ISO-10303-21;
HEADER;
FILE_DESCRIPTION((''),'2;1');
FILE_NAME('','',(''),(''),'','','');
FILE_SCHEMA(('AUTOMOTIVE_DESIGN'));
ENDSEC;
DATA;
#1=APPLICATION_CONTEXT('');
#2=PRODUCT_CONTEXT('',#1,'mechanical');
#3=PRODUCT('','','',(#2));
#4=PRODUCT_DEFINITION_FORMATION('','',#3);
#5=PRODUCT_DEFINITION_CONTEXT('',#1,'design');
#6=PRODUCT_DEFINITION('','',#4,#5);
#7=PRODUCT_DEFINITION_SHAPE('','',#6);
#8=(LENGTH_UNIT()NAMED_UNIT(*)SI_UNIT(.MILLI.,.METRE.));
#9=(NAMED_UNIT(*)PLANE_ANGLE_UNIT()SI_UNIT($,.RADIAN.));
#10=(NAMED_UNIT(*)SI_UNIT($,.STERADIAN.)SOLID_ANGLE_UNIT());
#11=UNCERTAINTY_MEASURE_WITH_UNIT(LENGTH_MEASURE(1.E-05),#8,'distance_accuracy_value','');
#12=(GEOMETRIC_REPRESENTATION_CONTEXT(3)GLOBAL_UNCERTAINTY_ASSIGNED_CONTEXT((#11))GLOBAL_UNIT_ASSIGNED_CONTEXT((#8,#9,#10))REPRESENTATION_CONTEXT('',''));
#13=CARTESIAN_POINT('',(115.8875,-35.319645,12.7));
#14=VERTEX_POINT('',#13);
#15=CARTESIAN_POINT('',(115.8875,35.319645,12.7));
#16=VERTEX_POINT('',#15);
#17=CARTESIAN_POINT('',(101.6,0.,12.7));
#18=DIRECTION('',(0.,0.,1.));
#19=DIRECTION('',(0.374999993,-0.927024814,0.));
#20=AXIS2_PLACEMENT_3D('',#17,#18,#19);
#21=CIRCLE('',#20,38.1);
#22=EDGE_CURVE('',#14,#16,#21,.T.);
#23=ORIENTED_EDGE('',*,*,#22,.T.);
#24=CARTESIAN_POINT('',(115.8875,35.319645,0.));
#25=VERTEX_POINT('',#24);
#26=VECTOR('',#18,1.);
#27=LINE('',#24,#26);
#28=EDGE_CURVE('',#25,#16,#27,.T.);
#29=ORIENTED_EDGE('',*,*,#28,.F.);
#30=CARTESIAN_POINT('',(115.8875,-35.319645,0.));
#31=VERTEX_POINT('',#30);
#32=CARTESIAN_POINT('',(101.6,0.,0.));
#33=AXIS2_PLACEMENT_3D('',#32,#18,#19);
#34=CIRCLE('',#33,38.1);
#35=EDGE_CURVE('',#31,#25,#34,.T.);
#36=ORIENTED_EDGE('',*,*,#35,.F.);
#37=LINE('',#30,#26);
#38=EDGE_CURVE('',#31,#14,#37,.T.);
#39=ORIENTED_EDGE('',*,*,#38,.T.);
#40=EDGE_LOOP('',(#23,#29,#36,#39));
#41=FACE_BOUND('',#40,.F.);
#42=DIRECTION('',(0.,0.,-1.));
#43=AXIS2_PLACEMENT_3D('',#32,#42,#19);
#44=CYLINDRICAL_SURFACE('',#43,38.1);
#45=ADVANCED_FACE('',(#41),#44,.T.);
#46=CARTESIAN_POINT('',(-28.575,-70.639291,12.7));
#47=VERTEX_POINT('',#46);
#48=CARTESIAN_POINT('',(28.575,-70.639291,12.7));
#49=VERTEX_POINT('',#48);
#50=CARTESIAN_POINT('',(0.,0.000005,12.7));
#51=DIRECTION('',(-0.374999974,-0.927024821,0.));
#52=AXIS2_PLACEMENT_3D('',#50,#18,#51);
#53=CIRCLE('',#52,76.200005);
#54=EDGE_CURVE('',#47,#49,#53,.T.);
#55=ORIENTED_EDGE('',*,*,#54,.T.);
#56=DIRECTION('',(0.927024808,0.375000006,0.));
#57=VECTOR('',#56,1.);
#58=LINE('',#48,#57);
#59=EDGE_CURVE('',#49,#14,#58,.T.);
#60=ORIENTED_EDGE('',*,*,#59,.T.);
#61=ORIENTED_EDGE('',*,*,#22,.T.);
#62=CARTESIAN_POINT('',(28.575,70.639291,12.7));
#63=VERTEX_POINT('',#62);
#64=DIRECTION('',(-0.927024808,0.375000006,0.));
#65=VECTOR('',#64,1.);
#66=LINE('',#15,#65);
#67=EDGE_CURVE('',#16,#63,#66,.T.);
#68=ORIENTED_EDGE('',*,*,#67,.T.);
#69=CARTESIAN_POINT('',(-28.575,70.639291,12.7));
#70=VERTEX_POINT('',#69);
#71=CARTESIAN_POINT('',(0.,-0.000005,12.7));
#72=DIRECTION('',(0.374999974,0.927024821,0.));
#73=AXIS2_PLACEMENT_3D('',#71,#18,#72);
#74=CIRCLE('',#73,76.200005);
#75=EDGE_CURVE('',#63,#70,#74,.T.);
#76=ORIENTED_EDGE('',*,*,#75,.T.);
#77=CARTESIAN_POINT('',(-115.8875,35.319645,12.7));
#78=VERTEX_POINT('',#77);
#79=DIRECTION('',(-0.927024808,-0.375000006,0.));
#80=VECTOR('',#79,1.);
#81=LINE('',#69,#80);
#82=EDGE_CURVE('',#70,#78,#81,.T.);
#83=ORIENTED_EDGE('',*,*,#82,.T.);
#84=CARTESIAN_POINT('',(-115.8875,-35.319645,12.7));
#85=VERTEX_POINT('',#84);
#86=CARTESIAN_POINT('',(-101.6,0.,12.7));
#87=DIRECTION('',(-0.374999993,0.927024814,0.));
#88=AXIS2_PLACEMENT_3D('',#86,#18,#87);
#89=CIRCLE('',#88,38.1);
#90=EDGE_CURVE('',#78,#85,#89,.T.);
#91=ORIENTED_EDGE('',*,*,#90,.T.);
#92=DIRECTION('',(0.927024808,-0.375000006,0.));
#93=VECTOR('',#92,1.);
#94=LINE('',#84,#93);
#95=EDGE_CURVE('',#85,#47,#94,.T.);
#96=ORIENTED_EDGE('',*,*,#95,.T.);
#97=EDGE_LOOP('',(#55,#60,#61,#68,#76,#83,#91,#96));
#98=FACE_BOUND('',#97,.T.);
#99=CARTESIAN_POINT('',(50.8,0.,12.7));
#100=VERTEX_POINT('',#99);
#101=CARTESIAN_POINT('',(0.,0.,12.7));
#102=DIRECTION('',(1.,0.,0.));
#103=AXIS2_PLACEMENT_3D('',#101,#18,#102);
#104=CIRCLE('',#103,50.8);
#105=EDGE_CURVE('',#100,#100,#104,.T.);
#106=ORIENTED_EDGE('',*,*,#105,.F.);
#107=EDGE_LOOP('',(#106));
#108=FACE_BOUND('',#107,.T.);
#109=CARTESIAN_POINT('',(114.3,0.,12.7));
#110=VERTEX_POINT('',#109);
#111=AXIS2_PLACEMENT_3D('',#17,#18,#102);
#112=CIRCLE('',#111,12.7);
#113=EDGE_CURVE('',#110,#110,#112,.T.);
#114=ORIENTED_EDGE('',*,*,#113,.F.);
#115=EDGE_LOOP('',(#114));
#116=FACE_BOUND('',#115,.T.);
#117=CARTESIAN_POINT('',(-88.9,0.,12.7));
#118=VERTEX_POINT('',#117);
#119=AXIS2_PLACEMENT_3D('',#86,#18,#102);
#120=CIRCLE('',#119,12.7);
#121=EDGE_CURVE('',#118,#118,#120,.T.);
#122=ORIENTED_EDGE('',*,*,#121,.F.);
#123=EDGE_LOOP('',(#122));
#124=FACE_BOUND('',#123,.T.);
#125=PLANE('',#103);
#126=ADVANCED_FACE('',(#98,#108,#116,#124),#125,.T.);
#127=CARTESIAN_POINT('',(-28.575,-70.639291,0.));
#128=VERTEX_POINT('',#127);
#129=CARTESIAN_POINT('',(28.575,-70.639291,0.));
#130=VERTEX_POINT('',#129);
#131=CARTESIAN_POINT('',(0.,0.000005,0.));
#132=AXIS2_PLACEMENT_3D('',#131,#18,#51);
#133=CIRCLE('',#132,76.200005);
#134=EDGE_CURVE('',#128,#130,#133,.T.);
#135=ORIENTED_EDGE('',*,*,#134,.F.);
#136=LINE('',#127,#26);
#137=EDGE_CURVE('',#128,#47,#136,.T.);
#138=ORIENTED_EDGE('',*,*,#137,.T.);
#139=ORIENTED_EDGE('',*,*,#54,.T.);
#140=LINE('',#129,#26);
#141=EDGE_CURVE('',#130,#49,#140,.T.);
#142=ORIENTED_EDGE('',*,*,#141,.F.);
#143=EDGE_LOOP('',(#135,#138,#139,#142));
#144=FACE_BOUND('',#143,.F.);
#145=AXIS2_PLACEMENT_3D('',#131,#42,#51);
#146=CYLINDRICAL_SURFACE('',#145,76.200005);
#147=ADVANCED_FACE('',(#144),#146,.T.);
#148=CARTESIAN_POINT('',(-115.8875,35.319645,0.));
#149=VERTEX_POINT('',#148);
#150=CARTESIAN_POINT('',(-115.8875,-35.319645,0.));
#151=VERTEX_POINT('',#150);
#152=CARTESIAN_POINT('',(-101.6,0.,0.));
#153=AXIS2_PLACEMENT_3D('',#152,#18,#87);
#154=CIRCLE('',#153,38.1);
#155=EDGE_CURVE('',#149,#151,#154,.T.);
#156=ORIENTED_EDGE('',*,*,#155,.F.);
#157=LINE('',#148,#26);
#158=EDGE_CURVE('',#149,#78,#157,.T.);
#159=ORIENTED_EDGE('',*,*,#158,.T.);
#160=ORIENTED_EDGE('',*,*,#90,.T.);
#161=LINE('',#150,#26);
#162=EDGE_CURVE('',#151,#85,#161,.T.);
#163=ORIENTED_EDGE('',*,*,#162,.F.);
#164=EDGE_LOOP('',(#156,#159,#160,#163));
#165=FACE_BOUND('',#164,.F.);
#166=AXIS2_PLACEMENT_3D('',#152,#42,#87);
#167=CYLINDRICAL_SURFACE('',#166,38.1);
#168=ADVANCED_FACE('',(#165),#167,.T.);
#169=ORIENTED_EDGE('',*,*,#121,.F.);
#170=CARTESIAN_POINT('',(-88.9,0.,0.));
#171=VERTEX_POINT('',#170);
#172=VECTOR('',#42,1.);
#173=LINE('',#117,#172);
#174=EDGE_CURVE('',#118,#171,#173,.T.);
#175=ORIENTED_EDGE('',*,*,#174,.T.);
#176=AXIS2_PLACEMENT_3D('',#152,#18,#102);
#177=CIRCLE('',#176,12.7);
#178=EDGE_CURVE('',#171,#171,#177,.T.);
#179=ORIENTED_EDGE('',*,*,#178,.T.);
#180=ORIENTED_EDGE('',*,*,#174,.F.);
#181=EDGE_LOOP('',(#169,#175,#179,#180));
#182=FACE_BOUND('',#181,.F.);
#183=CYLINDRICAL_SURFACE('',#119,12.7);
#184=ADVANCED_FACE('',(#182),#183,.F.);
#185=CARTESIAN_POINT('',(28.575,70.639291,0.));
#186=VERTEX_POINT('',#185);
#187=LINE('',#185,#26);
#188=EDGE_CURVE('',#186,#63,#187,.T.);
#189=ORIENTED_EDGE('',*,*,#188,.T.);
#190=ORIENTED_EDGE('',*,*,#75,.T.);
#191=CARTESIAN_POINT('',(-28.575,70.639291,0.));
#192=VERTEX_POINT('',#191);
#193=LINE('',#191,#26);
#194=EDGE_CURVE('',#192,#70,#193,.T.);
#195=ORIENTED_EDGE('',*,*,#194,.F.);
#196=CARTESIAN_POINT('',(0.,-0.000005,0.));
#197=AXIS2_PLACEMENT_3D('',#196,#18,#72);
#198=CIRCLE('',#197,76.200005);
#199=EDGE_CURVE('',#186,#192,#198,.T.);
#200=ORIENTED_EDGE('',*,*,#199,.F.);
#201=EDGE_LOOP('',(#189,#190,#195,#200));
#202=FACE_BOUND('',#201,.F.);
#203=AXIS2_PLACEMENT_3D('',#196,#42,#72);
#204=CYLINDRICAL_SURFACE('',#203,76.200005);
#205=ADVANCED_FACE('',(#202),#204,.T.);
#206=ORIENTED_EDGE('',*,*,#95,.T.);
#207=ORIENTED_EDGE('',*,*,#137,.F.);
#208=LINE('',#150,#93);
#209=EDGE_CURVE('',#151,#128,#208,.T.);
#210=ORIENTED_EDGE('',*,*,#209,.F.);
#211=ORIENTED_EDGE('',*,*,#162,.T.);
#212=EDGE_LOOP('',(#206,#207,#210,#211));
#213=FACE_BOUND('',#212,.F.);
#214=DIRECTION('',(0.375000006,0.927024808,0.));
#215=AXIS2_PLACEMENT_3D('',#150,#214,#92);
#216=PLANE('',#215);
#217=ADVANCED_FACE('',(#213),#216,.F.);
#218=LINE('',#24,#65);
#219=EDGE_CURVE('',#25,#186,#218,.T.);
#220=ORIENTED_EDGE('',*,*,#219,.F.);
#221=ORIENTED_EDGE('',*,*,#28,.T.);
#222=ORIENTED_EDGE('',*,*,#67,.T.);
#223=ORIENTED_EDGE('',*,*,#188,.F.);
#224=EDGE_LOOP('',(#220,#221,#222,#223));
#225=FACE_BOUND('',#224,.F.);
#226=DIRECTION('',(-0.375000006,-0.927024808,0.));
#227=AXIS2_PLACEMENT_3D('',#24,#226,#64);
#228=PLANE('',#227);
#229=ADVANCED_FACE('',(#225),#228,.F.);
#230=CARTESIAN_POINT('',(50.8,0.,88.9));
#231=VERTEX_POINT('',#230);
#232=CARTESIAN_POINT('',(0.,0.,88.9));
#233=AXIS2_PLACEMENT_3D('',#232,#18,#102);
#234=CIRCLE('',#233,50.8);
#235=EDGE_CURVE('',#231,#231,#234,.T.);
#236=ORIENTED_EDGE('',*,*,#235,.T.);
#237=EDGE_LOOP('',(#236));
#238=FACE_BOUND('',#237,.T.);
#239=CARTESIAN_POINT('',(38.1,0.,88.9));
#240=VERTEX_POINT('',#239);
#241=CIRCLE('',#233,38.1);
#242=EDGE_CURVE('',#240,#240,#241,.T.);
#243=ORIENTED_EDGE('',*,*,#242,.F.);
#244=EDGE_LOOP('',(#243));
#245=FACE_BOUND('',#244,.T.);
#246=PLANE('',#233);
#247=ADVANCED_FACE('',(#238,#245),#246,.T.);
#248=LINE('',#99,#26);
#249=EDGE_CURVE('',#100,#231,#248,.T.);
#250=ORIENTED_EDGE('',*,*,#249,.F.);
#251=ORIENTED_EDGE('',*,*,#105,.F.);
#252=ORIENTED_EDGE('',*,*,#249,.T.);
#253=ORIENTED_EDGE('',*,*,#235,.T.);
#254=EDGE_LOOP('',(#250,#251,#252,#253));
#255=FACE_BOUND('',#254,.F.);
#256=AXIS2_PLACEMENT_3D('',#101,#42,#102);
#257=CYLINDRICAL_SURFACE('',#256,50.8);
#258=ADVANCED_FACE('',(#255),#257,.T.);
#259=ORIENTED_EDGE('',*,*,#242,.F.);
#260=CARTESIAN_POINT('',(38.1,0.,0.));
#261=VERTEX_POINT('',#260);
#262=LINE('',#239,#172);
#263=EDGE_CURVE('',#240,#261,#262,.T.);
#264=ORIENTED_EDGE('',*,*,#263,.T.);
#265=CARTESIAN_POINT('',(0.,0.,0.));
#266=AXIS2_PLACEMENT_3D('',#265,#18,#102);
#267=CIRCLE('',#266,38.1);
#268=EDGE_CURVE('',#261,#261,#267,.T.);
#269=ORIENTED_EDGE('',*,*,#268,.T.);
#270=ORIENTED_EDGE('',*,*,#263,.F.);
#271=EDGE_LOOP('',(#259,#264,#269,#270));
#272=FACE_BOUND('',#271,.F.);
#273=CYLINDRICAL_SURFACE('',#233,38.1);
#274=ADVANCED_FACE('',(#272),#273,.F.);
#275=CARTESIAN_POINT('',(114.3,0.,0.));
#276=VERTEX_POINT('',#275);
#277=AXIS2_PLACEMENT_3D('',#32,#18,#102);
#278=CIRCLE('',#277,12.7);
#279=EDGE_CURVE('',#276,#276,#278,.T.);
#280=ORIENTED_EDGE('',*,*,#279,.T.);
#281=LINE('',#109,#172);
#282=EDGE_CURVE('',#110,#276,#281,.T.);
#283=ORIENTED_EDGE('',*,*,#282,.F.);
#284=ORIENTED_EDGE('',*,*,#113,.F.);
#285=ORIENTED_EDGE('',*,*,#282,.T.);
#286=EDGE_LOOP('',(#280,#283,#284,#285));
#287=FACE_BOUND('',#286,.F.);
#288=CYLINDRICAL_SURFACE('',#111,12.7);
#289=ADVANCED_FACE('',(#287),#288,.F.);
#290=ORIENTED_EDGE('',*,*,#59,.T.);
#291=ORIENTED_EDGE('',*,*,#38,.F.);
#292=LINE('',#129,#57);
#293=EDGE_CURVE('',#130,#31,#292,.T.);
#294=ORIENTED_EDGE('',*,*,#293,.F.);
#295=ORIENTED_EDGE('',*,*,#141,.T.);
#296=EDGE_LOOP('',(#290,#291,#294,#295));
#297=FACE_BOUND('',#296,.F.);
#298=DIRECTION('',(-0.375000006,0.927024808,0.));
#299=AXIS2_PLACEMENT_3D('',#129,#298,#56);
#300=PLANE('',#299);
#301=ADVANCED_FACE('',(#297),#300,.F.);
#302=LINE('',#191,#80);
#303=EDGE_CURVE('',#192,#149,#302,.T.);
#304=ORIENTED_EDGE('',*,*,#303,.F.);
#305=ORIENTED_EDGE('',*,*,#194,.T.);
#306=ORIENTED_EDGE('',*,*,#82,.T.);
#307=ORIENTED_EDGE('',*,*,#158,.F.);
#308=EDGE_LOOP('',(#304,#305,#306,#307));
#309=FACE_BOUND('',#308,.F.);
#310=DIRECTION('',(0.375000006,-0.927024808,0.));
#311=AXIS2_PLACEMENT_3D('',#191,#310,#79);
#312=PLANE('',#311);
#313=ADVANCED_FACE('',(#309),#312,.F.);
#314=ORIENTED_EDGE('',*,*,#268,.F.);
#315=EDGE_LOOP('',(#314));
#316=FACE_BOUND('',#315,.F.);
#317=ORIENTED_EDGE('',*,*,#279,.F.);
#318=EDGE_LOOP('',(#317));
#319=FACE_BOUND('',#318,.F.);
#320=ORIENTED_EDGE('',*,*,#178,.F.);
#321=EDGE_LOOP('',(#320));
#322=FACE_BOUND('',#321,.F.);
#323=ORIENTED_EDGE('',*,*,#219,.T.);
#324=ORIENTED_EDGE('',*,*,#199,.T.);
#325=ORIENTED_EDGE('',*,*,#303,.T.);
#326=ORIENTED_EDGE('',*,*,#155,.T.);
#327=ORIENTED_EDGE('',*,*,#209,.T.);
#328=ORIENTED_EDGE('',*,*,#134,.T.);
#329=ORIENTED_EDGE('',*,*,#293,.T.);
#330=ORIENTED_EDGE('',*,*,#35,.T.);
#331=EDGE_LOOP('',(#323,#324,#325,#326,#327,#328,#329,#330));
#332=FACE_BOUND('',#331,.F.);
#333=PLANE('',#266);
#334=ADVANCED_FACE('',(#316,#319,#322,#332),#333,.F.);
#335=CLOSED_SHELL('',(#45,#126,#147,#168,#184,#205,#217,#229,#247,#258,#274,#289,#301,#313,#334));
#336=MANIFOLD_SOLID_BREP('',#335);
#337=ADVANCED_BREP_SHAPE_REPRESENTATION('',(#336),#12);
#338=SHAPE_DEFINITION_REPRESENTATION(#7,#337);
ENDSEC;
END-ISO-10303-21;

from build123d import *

# Parameters (mm, degrees)
F1_DEPTH = 12.7
F2_R     = 12.7
F3_DEPTH = 12.7
F4_R     = 12.7
F5_DEPTH = 25.4
F6_R     = 50.8
F7_DEPTH = 76.2
F8_R     = 38.1
F9_DEPTH = 88.9


with BuildPart() as f1:
    # F0 (on Top) → F1 (new body)
    with BuildSketch(Plane.XY):
        with BuildLine():
            Line((-115.8875, -35.319645), (-28.575, -70.639291))
            ThreePointArc((-28.575, -70.639291), (0, -76.2), (28.575, -70.639291))
            Line((28.575, -70.639291), (115.8875, -35.319645))
            ThreePointArc((115.8875, -35.319645), (139.7, 0), (115.8875, 35.319645))
            Line((115.8875, 35.319645), (28.575, 70.639291))
            ThreePointArc((28.575, 70.639291), (0, 76.2), (-28.575, 70.639291))
            Line((-28.575, 70.639291), (-115.8875, 35.319645))
            ThreePointArc((-115.8875, 35.319645), (-139.7, 0), (-115.8875, -35.319645))
        make_face()
    extrude(amount=F1_DEPTH)

    # F2 (on face) → F3 (cut, through all)
    with BuildSketch(Plane.XY.offset(12.7)):
        with Locations((-101.6, 0)):
            Circle(F2_R)
    extrude(amount=-F3_DEPTH, mode=Mode.SUBTRACT)

    # F4 (on face) → F5 (cut)
    with BuildSketch(Plane.XY.offset(12.7)):
        with Locations((101.6, 0)):
            Circle(F4_R)
    extrude(amount=-F5_DEPTH, mode=Mode.SUBTRACT)

    # F6 (on face) → F7 (join)
    with BuildSketch(Plane.XY.offset(12.7)):
        Circle(F6_R)
    extrude(amount=F7_DEPTH)

    # F8 (on face) → F9 (cut, through all)
    with BuildSketch(Plane.XY.offset(88.9)):
        Circle(F8_R)
    extrude(amount=-F9_DEPTH, mode=Mode.SUBTRACT)


solid = f1.part
